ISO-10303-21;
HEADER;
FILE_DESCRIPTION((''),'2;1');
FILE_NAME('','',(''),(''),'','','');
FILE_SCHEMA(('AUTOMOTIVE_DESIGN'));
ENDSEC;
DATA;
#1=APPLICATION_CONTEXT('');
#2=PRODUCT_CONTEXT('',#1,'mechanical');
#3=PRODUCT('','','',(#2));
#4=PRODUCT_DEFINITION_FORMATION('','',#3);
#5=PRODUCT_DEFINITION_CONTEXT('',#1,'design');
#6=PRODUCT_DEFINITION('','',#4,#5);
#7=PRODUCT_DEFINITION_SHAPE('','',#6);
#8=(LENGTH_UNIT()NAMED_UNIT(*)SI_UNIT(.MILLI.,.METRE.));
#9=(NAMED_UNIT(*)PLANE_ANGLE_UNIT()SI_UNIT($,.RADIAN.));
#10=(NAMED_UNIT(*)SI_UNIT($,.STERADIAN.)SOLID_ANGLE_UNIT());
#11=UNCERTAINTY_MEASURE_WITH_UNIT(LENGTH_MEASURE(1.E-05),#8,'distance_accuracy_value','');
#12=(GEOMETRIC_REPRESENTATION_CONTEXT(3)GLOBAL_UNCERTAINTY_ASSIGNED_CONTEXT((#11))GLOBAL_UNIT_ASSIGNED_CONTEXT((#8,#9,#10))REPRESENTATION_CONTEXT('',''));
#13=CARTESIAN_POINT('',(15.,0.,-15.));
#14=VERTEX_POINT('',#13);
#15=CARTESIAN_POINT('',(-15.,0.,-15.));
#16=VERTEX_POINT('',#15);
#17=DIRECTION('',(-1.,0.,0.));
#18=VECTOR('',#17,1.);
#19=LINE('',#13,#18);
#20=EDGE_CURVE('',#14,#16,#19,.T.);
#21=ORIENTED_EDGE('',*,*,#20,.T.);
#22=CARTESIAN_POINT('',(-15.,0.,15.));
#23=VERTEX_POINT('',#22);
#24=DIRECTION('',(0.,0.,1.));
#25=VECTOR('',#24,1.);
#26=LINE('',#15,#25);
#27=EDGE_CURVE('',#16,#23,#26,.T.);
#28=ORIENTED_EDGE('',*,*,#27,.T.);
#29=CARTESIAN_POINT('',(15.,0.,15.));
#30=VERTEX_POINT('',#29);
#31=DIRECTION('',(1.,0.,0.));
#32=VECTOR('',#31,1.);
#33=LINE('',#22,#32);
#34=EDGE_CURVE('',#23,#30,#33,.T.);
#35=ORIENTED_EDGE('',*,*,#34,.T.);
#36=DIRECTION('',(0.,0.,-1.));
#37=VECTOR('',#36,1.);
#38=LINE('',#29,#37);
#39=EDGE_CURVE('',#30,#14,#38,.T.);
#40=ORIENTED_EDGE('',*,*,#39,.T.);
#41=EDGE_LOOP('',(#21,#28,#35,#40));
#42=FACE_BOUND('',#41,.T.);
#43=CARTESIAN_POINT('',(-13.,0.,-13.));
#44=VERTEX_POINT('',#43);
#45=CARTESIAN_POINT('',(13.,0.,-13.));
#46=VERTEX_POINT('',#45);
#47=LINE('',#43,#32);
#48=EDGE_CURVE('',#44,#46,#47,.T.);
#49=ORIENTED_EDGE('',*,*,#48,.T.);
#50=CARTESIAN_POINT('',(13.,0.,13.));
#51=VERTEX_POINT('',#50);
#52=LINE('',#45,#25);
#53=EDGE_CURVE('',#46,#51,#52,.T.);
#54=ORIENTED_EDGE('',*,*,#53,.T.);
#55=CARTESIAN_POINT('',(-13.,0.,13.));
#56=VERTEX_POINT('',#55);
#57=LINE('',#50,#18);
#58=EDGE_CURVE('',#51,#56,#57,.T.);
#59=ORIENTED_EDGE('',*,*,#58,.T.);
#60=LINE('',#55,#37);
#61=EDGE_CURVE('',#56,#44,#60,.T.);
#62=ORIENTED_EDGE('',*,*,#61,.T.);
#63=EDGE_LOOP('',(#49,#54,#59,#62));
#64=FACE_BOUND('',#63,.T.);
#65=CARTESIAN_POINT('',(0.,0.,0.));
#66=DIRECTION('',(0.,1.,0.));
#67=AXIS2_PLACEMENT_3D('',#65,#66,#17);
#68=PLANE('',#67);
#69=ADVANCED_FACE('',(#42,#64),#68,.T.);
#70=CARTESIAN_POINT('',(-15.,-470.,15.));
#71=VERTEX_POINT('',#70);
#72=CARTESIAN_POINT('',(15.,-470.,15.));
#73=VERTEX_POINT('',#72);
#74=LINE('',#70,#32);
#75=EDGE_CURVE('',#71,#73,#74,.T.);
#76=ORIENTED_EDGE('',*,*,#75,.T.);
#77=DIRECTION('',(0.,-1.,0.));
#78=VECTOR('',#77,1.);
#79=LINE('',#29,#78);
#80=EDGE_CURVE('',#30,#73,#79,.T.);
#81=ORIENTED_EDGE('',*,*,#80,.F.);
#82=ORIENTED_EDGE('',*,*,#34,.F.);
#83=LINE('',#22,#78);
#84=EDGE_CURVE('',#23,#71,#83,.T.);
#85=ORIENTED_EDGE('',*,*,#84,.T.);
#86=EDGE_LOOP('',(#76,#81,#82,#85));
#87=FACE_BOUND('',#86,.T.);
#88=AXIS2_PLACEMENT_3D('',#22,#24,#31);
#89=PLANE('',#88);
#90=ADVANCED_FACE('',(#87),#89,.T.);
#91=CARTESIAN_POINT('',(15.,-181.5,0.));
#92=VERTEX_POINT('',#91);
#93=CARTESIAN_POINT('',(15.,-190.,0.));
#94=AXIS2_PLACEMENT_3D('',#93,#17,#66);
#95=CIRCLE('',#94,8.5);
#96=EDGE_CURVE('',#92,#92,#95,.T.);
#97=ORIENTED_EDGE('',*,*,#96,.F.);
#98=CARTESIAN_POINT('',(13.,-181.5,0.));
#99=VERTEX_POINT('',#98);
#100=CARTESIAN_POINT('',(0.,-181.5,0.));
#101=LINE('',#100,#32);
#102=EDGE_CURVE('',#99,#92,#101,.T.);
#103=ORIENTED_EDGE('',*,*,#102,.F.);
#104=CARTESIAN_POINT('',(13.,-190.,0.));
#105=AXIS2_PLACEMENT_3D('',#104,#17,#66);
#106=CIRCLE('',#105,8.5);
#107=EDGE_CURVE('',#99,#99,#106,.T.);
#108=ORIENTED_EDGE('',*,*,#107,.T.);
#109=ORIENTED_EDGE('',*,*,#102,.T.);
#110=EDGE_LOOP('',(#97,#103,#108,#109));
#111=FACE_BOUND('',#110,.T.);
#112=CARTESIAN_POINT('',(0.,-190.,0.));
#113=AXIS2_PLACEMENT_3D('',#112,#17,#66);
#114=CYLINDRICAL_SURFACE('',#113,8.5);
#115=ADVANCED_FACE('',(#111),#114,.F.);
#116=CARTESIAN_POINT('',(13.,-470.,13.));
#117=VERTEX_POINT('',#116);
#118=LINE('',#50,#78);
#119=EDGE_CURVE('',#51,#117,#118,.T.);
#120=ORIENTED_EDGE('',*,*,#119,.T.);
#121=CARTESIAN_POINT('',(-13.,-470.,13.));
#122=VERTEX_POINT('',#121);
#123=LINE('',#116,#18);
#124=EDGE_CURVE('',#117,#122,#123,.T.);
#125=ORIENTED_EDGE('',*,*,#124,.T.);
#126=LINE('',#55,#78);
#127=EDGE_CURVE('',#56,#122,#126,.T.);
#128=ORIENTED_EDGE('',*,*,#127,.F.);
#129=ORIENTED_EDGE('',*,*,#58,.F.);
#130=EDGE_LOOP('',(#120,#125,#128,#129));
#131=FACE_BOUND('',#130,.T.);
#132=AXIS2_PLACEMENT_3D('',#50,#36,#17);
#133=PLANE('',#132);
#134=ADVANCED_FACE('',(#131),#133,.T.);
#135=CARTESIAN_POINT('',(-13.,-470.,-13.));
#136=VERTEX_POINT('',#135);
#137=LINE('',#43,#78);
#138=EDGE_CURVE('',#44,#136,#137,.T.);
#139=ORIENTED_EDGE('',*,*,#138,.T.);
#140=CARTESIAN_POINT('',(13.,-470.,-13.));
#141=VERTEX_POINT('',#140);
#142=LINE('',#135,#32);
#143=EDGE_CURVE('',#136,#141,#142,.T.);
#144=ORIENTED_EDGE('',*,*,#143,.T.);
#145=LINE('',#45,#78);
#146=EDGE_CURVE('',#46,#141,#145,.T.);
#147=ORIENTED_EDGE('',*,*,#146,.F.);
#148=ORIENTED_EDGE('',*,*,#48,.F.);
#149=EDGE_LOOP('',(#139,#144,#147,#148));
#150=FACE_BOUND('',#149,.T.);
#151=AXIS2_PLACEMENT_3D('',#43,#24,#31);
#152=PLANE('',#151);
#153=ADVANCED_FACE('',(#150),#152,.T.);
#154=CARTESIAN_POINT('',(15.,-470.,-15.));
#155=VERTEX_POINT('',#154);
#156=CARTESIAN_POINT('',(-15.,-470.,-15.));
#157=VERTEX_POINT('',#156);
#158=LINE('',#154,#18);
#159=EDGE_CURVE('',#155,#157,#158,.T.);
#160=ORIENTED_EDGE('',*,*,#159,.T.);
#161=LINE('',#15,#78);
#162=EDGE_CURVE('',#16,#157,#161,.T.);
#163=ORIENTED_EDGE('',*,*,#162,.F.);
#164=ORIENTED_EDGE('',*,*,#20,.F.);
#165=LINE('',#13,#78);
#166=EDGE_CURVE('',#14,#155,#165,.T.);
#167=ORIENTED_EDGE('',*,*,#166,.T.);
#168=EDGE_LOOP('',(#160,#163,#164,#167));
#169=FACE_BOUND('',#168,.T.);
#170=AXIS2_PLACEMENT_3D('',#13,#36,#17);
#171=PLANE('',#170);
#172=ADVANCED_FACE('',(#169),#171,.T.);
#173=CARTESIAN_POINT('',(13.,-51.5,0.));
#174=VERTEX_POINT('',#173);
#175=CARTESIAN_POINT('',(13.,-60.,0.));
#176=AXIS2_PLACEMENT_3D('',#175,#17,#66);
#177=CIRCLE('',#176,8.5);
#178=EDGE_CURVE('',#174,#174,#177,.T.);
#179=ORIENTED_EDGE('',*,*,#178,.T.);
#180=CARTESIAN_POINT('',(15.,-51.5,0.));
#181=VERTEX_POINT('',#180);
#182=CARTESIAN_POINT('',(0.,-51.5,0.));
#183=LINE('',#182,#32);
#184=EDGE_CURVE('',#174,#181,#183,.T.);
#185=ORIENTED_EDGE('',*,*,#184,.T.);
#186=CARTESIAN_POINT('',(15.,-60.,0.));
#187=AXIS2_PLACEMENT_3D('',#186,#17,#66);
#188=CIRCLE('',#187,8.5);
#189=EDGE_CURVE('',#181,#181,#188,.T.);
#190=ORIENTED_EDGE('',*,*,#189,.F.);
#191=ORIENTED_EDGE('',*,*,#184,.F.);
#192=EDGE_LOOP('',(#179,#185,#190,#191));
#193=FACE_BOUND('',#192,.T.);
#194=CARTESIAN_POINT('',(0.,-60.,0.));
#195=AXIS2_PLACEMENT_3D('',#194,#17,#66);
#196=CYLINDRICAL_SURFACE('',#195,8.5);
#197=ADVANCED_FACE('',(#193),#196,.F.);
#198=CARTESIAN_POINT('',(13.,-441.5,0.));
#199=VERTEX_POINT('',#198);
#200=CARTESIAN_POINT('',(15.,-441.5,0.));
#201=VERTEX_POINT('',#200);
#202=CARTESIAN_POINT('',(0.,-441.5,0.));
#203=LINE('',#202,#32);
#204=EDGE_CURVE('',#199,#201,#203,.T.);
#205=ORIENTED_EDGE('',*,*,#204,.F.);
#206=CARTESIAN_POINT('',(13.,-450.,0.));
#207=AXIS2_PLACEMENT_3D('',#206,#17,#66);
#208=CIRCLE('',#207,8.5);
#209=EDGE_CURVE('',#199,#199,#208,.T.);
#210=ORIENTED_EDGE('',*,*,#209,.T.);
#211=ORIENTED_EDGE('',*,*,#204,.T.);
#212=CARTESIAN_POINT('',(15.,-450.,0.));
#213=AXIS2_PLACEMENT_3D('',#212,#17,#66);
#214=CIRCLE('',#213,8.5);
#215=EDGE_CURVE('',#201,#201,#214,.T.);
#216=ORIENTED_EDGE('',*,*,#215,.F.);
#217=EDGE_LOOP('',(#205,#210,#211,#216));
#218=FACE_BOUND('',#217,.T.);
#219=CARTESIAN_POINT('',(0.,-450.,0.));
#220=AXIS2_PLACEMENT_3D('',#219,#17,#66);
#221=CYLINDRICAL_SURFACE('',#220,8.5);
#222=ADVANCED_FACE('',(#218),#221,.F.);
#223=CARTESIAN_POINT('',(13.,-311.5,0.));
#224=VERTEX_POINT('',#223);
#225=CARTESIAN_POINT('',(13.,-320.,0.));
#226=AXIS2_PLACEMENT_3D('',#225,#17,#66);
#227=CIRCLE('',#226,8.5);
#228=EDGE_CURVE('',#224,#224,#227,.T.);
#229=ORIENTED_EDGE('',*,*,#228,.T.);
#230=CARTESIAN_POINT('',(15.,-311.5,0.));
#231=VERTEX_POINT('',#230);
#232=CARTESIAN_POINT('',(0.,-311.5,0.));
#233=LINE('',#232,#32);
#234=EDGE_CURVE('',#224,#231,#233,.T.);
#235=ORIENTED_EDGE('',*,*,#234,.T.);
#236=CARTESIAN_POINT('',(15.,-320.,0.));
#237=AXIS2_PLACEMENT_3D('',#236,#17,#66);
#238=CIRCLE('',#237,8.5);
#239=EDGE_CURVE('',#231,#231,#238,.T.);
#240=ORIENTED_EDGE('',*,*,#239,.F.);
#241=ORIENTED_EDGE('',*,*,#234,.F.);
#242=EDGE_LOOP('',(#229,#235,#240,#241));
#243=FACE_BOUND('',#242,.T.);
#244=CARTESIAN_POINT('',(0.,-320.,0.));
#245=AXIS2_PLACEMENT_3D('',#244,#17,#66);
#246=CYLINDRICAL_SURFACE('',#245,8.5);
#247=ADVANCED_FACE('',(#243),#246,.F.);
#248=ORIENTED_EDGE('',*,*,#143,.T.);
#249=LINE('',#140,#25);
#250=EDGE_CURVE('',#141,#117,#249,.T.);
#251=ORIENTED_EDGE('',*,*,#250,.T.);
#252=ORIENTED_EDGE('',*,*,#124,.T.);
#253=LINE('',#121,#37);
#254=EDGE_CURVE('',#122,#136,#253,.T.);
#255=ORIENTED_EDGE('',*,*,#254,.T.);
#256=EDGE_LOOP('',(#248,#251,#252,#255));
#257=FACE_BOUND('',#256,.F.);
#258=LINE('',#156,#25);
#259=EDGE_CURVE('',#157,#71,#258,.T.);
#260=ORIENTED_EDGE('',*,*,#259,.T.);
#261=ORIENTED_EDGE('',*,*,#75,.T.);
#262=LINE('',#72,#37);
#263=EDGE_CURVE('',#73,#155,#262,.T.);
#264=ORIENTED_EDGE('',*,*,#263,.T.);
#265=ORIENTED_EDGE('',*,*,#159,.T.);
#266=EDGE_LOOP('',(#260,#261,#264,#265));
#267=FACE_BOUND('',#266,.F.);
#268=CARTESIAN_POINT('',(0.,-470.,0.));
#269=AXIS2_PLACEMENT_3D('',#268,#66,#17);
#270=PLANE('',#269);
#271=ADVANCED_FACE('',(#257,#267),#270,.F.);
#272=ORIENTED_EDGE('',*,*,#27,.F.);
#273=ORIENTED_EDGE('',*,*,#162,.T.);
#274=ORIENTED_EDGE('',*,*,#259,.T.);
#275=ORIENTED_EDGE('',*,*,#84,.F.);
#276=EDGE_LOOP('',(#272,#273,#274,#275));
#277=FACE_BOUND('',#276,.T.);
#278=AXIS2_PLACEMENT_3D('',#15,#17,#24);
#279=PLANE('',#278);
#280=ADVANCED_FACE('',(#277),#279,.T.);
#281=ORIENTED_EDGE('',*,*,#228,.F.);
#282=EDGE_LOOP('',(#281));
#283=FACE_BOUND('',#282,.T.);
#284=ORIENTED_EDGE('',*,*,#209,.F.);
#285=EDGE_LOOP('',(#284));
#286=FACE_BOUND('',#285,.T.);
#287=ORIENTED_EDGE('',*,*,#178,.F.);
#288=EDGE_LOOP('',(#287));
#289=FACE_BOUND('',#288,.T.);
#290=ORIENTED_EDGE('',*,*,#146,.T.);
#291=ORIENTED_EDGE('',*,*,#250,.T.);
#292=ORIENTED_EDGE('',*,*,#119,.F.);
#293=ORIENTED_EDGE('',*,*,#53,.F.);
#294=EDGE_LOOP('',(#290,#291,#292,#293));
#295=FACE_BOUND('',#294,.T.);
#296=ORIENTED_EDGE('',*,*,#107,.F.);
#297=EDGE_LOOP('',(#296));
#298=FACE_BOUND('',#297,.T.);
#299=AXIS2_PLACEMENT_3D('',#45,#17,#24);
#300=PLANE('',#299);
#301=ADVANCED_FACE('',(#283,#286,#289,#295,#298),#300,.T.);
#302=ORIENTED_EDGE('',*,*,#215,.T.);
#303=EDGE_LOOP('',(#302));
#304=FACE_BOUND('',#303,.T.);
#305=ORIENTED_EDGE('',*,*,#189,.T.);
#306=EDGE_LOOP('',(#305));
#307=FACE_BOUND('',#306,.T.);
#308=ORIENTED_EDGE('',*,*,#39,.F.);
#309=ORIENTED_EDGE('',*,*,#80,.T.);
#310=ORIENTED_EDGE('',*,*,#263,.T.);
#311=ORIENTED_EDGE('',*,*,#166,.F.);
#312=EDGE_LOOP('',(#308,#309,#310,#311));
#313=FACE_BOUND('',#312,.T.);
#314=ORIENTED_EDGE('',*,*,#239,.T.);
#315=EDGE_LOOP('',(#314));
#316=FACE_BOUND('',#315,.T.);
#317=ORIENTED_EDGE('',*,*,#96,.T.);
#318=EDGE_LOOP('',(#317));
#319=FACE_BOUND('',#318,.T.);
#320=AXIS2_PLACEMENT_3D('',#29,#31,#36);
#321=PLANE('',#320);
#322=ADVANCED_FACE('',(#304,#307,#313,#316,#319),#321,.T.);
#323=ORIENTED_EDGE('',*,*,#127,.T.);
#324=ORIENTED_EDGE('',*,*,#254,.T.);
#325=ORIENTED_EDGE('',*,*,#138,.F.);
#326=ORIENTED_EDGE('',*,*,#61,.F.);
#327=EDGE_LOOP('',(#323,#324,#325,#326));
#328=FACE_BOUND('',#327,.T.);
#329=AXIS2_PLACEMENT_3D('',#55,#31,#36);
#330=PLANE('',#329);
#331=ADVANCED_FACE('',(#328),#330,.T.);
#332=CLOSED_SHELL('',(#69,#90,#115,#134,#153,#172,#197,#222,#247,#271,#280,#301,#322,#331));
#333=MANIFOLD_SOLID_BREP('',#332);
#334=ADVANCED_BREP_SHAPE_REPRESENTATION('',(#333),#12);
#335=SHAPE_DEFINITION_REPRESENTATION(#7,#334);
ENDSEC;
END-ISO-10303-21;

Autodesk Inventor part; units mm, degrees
ref_plane "YZ Plane" through (0, 0, 0) normal (1, 0, 0) x (0, 1, 0)
ref_plane "XZ Plane" through (0, 0, 0) normal (0, 1, 0) x (-1, 0, 0)
ref_plane "XY Plane" through (0, 0, 0) normal (0, 0, 1) x (1, 0, 0)
sketch "Sketch9" plane through (0, 0, 0) normal (0, 1, 0) x (-1, 0, 0)
  line L0 (15, 15) -> (-15, 15)
  line L1 (-15, 15) -> (-15, -15)
  line L2 (-15, -15) -> (15, -15)
  line L3 (15, -15) -> (15, 15)
  line L4 (15, 15) -> (-15, -15) construction
  line L5 (-15, 15) -> (15, -15) construction
  line L6 (-13, 13) -> (13, 13)
  line L7 (13, 13) -> (13, -13)
  line L8 (13, -13) -> (-13, -13)
  line L9 (-13, -13) -> (-13, 13)
  point P0 (0, 0)
  dimension "d172" = 30
  dimension "d173" = 30
  dimension "d174" = 2
extrude "Extrusion3" add sketch "Sketch9" against normal blind 470
sketch "Sketch10" plane through (0, 0, 0) normal (1, 0, 0) x (0, 1, 0)
  line L0 (0, 15) -> (0, -15) construction
  line L1 (0, 15) -> (-470, 15) construction
  line L2 (-470, -15) -> (-470, 15) construction
  line L3 (0, -15) -> (-470, -15) construction
  line L4 (-68.5, 8.5) -> (-51.5, 8.5)
  line L5 (-51.5, 8.5) -> (-51.5, -8.5)
  line L6 (-51.5, -8.5) -> (-68.5, -8.5)
  line L7 (-68.5, -8.5) -> (-68.5, 8.5)
  line L8 (-68.5, 8.5) -> (-51.5, -8.5) construction
  line L9 (-51.5, 8.5) -> (-68.5, -8.5) construction
  line L10 (-198.5, 8.5) -> (-181.5, 8.5)
  line L11 (-181.5, 8.5) -> (-181.5, -8.5)
  line L12 (-181.5, -8.5) -> (-198.5, -8.5)
  line L13 (-198.5, -8.5) -> (-198.5, 8.5)
  line L14 (-198.5, 8.5) -> (-181.5, -8.5) construction
  line L15 (-181.5, 8.5) -> (-198.5, -8.5) construction
  line L16 (-328.5, 8.5) -> (-311.5, 8.5)
  line L17 (-311.5, 8.5) -> (-311.5, -8.5)
  line L18 (-311.5, -8.5) -> (-328.5, -8.5)
  line L19 (-328.5, -8.5) -> (-328.5, 8.5)
  line L20 (-328.5, 8.5) -> (-311.5, -8.5) construction
  line L21 (-311.5, 8.5) -> (-328.5, -8.5) construction
  circle A0 centre (-450, 0) radius 8.5
  line L22 (0, 0) -> (30, 0)
  circle A1 centre (-60, 0) radius 8.5
  circle A2 centre (-190, 0) radius 8.5
  circle A3 centre (-320, 0) radius 8.5
  dimension "d177" = 17
  dimension "d178" = 17
  dimension "d181" = 30
  dimension "d182" = 90
  dimension "d183" = 220
  dimension "d184" = 350
  dimension "d185" = 480
  dimension "d186" = 17
extrude "Extrusion4" cut sketch "Sketch10" along normal through all contours A1 | A2 | A3 | A0
properties part number "TZS 754 FDS 940 way tube 1" material "Stainless Steel"
